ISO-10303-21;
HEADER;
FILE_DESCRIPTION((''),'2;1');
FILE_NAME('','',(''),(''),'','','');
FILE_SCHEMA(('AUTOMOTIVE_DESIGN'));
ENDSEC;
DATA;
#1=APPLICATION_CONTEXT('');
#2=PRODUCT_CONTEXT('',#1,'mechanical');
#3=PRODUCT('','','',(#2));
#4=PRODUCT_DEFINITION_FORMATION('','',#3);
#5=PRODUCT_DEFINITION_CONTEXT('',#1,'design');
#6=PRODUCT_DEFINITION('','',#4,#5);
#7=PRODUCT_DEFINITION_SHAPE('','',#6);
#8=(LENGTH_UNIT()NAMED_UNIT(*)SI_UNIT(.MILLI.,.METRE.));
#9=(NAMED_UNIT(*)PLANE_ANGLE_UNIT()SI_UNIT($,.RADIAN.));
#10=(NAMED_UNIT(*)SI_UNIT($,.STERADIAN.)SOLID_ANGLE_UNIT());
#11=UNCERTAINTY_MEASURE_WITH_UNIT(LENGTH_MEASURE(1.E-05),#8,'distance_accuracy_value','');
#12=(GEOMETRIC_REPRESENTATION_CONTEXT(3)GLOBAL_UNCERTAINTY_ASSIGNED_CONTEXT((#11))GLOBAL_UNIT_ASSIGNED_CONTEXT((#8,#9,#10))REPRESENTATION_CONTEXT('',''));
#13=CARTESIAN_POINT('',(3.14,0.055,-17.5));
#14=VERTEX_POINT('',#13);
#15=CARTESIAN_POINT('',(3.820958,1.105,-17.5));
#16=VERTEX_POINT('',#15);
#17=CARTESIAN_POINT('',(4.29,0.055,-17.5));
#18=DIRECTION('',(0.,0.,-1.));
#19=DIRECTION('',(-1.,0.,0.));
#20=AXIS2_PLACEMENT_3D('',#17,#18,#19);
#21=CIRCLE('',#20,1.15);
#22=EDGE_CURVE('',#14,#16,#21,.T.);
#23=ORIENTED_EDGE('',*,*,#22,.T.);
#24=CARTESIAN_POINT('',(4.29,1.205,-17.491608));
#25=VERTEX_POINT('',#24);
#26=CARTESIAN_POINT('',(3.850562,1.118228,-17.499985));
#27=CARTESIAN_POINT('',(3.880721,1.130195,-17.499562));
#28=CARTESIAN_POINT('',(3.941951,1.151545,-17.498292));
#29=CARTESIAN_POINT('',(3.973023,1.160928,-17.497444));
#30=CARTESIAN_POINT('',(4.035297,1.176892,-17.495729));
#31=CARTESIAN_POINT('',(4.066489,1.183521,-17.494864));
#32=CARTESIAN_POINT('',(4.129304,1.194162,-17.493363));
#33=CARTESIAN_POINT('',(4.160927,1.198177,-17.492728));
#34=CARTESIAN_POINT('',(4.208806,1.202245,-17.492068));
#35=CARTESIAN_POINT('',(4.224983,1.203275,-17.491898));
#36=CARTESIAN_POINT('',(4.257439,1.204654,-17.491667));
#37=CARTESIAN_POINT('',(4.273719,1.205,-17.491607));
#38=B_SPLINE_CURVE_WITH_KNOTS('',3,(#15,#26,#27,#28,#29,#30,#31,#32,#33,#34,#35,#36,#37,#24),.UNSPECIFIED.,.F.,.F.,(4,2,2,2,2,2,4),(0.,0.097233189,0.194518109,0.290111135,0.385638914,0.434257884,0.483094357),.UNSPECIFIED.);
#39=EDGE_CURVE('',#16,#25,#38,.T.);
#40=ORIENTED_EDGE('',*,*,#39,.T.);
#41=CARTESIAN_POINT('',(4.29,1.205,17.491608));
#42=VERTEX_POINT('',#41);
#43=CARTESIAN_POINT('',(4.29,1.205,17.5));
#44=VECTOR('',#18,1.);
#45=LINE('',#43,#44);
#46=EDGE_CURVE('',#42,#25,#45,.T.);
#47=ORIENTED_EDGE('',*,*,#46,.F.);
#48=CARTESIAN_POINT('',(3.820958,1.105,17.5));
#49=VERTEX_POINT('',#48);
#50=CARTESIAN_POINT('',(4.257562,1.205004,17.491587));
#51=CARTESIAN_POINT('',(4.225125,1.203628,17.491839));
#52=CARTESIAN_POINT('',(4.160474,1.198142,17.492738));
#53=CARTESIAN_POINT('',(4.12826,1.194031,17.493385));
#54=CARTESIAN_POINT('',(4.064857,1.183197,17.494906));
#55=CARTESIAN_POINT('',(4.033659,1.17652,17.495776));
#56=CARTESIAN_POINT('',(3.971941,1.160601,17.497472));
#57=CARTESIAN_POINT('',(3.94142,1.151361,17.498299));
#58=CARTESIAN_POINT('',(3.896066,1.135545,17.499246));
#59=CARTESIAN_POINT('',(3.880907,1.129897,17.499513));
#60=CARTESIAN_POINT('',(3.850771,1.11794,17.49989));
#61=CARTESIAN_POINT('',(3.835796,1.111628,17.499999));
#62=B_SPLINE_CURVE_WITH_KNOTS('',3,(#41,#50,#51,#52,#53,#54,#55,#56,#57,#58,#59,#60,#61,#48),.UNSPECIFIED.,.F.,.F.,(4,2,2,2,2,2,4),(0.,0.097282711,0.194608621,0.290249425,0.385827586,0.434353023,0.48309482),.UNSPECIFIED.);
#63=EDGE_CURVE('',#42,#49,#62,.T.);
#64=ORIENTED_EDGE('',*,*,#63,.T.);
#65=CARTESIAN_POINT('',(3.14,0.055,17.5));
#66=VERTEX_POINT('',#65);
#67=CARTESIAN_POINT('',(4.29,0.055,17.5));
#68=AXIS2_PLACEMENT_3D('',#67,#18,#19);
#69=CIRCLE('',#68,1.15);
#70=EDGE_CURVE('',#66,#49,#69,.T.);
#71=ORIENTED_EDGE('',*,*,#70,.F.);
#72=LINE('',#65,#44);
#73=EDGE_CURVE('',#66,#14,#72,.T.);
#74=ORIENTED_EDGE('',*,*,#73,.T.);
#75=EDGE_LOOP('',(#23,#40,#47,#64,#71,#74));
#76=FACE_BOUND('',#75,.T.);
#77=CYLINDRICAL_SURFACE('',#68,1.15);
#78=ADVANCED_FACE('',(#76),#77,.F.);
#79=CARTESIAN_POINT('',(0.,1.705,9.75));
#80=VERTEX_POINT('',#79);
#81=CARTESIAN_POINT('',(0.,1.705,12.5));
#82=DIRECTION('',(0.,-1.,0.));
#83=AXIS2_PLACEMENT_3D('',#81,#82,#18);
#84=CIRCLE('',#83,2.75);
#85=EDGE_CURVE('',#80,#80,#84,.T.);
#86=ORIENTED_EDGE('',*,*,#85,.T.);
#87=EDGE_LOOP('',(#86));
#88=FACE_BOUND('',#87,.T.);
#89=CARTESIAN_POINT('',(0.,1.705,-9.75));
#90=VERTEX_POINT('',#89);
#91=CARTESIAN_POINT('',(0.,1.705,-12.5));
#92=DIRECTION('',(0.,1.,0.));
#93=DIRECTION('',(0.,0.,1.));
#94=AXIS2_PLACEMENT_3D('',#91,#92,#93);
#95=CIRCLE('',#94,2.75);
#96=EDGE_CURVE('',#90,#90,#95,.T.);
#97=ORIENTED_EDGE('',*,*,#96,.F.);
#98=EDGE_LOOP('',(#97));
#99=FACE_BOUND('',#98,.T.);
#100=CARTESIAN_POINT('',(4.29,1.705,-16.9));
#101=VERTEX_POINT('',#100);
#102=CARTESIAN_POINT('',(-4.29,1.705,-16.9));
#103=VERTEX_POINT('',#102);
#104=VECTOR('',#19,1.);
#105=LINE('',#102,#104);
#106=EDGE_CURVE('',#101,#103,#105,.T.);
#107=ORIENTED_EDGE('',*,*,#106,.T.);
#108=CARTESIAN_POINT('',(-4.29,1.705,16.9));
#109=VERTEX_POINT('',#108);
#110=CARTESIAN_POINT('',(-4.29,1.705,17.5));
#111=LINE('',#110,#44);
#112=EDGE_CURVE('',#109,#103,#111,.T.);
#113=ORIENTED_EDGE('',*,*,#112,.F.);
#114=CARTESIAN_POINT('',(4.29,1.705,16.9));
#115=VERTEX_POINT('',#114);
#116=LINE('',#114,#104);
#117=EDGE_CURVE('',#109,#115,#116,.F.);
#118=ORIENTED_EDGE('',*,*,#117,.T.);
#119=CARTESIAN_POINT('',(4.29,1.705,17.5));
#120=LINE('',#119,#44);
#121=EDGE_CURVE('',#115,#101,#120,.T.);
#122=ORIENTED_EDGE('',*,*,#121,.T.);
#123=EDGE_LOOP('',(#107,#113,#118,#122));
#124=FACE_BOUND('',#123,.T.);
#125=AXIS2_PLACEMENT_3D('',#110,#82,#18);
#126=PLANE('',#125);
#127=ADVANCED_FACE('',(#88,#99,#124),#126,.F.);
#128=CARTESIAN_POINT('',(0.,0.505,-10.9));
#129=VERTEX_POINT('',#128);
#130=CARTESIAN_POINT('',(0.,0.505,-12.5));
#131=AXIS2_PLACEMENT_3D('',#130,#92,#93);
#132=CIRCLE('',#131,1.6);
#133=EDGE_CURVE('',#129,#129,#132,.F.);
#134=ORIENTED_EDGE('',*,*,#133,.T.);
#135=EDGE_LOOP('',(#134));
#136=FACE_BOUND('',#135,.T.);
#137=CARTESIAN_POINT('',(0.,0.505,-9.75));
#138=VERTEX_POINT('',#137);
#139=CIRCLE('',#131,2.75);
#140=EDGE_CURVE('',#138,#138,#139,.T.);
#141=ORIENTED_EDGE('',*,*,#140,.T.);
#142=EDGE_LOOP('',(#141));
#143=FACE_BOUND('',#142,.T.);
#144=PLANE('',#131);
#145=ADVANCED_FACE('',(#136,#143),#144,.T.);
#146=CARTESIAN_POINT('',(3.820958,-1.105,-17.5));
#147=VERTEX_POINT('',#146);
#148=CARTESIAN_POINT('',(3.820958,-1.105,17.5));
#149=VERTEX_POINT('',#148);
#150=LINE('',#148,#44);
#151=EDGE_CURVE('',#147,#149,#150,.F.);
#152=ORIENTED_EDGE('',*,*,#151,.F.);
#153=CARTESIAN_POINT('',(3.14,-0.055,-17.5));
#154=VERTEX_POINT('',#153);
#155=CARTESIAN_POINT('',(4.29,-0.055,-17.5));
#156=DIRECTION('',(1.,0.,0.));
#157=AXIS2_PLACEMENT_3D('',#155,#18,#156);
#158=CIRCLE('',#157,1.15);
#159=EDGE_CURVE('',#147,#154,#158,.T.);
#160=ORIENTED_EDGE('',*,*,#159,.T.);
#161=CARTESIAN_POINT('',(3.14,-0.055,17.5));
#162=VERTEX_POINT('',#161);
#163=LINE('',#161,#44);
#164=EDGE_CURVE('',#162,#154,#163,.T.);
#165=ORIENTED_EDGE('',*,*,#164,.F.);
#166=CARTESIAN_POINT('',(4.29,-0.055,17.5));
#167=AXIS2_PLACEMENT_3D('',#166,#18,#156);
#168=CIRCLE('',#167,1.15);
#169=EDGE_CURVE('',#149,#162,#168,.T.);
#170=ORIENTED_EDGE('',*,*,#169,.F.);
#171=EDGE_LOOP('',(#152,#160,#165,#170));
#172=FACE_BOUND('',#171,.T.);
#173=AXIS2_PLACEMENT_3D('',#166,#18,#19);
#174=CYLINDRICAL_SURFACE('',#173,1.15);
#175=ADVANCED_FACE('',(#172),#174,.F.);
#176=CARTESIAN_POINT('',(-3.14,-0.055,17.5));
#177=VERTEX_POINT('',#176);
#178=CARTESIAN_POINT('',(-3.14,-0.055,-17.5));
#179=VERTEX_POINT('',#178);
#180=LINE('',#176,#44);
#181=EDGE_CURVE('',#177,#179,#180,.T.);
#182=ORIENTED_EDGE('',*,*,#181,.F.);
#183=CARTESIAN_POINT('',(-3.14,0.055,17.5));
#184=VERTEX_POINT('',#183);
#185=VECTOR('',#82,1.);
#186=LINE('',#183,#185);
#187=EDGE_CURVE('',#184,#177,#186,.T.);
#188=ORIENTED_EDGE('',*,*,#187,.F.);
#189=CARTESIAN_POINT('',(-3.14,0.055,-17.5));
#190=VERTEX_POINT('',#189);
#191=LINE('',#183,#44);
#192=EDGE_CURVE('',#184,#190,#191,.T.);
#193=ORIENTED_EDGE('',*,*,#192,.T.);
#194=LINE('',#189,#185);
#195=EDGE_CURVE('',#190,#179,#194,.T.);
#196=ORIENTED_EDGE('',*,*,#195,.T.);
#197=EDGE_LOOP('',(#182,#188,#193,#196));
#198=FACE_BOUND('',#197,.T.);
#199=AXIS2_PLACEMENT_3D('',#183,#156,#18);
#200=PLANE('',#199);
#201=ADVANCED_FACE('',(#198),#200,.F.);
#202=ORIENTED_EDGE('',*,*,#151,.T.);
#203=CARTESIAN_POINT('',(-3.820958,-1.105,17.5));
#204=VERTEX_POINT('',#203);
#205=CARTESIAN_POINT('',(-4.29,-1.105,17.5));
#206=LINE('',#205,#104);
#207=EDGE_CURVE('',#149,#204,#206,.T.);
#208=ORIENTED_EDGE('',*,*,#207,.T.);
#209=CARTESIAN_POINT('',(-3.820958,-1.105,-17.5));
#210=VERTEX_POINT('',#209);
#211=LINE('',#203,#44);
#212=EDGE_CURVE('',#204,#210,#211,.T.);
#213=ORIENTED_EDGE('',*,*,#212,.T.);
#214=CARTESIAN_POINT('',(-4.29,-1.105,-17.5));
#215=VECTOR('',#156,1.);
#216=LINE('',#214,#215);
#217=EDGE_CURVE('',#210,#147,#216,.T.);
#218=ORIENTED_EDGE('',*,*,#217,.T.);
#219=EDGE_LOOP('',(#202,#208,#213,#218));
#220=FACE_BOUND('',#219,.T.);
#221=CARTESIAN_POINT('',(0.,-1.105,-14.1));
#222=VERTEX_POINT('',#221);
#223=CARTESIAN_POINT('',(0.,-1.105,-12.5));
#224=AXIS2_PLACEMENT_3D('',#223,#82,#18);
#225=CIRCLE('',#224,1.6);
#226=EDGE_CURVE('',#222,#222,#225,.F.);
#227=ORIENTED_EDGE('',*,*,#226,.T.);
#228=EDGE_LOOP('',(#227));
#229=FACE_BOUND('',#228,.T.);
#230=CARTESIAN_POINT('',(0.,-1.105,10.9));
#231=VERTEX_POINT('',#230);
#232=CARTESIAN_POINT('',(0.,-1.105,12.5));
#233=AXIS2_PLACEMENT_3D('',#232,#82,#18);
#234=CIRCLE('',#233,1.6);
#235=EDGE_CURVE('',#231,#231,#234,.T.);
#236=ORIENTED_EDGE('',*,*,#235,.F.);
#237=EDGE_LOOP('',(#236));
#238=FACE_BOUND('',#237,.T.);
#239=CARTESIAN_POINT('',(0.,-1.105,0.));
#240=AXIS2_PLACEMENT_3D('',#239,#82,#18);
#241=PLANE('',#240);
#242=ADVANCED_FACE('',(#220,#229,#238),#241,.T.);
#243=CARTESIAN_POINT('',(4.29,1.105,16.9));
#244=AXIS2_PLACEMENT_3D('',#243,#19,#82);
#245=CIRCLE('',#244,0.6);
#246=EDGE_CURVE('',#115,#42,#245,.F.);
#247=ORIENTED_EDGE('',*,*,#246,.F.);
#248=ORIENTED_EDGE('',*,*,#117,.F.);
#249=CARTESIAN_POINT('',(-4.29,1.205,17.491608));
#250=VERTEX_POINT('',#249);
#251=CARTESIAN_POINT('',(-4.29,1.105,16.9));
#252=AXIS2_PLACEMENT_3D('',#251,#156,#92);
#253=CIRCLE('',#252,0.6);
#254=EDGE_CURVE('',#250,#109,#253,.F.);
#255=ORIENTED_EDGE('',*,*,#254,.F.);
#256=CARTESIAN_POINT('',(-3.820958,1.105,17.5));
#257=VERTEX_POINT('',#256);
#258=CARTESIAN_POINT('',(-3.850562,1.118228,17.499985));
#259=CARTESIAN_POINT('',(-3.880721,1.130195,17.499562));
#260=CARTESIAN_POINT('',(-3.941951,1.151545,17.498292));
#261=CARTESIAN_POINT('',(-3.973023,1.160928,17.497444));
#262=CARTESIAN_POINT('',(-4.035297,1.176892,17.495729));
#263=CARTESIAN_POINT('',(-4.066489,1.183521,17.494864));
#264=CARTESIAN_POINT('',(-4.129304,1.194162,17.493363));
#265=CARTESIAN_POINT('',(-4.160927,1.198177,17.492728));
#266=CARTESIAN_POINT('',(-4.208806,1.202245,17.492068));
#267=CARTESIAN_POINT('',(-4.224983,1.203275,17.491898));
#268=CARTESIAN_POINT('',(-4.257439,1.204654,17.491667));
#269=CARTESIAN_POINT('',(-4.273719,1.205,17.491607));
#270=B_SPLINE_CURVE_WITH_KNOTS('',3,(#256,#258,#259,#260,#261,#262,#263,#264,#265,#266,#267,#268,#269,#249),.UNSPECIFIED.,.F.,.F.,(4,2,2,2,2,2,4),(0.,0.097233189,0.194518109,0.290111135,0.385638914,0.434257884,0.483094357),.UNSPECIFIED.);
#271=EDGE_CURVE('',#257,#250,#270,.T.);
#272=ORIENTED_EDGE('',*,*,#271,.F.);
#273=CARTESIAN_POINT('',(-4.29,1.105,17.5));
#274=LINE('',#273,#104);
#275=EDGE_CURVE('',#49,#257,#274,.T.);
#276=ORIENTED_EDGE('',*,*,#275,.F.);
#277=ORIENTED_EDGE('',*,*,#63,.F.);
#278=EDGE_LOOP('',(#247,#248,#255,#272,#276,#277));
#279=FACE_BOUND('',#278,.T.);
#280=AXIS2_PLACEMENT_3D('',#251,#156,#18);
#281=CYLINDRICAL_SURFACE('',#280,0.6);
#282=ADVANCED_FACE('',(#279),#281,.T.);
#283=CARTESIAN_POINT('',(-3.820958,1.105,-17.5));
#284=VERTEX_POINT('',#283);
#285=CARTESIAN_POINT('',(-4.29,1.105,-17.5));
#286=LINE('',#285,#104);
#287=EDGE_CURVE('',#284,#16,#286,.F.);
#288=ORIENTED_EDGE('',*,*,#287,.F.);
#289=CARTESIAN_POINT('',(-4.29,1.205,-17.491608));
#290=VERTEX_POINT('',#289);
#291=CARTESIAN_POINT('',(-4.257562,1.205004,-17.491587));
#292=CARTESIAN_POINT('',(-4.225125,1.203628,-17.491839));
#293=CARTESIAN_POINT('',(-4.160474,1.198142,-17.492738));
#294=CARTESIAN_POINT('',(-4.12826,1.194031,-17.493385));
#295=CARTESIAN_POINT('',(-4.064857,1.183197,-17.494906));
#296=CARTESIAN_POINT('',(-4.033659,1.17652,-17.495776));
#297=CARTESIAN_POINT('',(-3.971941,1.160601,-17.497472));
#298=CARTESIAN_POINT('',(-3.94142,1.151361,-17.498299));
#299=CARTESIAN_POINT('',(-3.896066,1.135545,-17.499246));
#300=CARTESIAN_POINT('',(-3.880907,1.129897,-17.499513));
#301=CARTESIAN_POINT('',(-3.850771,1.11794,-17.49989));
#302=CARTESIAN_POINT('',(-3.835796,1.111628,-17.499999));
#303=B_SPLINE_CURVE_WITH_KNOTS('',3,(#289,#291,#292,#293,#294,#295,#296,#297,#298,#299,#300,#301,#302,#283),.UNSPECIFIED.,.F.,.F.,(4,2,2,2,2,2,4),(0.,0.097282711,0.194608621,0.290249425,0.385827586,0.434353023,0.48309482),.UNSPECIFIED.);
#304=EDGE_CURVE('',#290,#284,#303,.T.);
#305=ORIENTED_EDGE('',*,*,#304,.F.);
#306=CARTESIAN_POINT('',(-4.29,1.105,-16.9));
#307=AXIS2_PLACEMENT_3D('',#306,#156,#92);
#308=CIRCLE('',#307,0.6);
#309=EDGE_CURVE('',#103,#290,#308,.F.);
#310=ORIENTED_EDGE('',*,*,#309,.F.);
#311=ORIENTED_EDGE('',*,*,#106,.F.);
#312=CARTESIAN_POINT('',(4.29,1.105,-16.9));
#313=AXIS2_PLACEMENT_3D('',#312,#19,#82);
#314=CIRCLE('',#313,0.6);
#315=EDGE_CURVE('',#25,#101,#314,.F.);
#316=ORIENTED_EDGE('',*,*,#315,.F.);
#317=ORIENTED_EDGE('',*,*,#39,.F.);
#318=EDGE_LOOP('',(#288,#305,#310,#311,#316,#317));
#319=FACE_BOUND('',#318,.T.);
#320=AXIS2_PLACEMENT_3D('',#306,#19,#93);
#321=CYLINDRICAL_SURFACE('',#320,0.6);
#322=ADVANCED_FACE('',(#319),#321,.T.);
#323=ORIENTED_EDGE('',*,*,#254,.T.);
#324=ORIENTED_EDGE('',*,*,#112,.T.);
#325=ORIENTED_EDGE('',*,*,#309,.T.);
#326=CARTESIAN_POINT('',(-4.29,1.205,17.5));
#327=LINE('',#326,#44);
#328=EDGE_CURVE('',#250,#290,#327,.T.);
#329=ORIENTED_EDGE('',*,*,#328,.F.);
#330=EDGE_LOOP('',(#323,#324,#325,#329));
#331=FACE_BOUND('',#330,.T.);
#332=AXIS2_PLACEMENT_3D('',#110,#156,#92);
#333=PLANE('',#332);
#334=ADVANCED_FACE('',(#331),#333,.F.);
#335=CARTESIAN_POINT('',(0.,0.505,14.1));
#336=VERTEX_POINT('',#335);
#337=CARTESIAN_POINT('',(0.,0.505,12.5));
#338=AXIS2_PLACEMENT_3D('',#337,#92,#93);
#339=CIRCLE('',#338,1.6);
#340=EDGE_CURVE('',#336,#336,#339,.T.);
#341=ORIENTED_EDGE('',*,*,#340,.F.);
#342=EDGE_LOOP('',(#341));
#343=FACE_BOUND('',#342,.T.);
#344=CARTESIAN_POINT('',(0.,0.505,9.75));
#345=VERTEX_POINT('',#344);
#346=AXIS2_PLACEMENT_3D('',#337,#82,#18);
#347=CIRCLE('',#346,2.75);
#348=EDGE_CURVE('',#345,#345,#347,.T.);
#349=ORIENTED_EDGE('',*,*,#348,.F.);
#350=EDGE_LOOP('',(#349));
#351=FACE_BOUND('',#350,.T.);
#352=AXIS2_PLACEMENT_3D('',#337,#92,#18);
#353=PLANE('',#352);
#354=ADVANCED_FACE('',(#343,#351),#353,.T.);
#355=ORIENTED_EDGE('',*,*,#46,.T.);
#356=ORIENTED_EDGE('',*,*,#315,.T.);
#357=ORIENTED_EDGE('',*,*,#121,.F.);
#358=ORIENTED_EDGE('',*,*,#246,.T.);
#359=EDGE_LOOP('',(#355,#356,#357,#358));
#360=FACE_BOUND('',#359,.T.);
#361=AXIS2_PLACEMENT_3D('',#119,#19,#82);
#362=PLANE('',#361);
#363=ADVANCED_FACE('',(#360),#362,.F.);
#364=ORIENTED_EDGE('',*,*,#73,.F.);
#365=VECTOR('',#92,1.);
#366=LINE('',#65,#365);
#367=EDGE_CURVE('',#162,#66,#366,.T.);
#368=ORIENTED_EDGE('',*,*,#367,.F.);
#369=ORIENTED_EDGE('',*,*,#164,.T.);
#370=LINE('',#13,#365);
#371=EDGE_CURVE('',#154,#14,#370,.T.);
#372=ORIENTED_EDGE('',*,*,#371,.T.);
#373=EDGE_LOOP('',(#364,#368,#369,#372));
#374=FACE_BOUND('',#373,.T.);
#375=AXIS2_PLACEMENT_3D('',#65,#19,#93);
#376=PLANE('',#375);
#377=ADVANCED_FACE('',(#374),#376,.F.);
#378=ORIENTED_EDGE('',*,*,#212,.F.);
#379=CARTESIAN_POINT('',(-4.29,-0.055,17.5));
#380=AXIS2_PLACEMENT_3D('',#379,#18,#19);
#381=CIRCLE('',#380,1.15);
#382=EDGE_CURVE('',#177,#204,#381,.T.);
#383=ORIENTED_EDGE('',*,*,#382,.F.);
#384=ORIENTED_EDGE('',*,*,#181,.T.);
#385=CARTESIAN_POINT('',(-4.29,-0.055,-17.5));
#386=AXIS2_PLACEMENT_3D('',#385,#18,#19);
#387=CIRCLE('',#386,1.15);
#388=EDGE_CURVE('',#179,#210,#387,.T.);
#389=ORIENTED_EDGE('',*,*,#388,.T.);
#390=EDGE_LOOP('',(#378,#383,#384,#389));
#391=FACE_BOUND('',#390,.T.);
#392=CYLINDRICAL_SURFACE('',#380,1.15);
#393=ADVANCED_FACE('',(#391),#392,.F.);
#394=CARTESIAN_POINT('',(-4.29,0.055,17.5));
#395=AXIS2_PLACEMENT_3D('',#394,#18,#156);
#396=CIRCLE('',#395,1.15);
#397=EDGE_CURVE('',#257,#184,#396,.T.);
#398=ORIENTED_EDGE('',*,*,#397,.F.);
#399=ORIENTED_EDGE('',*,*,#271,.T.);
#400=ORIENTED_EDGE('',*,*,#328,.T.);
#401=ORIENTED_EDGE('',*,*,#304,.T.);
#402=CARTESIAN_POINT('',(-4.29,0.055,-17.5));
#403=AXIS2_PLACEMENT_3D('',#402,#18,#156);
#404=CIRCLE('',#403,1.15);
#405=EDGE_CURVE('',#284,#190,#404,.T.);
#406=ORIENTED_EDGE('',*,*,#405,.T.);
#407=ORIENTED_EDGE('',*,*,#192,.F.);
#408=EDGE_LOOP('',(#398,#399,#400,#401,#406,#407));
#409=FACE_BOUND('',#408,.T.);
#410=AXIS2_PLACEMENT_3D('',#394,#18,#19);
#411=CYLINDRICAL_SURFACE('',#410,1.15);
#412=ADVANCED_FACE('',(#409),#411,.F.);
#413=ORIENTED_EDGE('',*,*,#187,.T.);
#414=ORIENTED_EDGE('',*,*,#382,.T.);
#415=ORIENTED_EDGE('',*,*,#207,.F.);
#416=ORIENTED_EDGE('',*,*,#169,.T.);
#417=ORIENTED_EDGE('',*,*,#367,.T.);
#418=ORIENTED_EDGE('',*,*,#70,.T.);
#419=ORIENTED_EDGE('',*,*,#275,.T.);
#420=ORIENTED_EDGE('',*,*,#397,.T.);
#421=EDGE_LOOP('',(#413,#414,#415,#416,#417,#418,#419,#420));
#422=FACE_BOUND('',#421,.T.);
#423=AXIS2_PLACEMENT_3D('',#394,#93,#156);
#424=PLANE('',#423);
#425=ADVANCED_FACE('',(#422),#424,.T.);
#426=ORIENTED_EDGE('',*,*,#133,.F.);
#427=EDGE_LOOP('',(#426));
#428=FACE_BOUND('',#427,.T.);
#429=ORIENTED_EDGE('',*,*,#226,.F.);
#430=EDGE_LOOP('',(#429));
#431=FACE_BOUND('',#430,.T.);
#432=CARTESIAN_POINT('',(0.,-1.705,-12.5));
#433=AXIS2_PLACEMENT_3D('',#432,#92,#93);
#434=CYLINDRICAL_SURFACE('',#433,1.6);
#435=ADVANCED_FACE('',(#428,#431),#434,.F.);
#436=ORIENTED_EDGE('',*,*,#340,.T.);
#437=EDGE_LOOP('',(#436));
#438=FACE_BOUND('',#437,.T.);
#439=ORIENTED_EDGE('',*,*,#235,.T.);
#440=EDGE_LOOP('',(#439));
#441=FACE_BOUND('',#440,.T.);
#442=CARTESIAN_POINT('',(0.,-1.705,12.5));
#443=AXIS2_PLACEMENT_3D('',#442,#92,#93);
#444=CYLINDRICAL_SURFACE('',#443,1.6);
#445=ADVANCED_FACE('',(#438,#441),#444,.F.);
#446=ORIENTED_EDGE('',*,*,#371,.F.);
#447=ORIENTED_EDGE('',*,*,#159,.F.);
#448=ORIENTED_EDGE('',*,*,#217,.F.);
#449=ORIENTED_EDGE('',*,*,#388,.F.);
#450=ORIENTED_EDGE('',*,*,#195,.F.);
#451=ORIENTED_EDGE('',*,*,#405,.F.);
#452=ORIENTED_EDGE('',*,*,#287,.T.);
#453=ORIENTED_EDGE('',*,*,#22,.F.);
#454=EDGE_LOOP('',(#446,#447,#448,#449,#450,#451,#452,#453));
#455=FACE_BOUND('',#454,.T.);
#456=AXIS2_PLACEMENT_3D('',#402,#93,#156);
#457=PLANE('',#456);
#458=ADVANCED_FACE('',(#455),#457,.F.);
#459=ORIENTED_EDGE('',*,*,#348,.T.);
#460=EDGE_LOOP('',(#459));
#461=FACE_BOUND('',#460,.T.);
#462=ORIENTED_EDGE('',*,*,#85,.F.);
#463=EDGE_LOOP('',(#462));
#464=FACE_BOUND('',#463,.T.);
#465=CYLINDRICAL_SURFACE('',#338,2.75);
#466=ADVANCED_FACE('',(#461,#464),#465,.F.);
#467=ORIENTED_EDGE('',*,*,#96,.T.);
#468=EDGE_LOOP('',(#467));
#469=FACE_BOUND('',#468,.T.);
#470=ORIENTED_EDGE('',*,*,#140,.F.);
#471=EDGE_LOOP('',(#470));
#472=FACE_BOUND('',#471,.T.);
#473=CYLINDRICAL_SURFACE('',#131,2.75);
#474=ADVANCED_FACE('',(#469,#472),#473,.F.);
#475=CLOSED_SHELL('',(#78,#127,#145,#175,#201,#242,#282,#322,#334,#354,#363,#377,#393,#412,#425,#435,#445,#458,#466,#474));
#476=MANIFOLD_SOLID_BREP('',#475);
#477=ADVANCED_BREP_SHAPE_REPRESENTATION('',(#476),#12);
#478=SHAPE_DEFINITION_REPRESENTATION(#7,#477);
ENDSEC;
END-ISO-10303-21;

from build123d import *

# Parameters (mm, degrees)
BOSS_EXTRUDE1_DEPTH = 17.5
SKETCH2_R           = 1.6
CUT_EXTRUDE1_DEPTH  = 4.41
SKETCH3_R           = 2.75
CUT_EXTRUDE2_DEPTH  = 1.2
SKETCH4_W           = 8.58
SKETCH4_H           = 35
CUT_EXTRUDE3_DEPTH  = 0.6
FILLET1_R           = 0.6


with BuildPart() as part:
    # Sketch1 → Boss-Extrude1 (new body, symmetric)
    with BuildSketch(Plane.XY):
        with BuildLine():
            Line((-3.14, 0.055), (-3.14, -0.055))
            ThreePointArc((-3.14, -0.055), (-3.476827202, -0.868172798), (-4.29, -1.205))
            Line((-4.29, -1.205), (-4.29, -1.705))
            Line((-4.29, -1.705), (4.29, -1.705))
            Line((4.29, -1.705), (4.29, -1.205))
            ThreePointArc((4.29, -1.205), (3.476827202, -0.868172798), (3.14, -0.055))
            Line((3.14, -0.055), (3.14, 0.055))
            ThreePointArc((3.14, 0.055), (3.476827202, 0.868172798), (4.29, 1.205))
            Line((4.29, 1.205), (4.29, 1.705))
            Line((4.29, 1.705), (-4.29, 1.705))
            Line((-4.29, 1.705), (-4.29, 1.205))
            ThreePointArc((-4.29, 1.205), (-3.476827202, 0.868172798), (-3.14, 0.055))
        make_face()
    extrude(amount=BOSS_EXTRUDE1_DEPTH, both=True)

    # Sketch2 → Cut-Extrude1 (cut, through all)
    with BuildSketch(Plane(origin=(0, 1.705, 0), x_dir=(1, 0, 0), z_dir=(0, 1, 0))):
        with Locations((0, 12.5)):
            Circle(SKETCH2_R)
    cut_extrude1 = extrude(amount=-CUT_EXTRUDE1_DEPTH, mode=Mode.SUBTRACT)

    # Sketch3 → Cut-Extrude2 (cut)
    with BuildSketch(Plane(origin=(0, 1.705, 0), x_dir=(1, 0, 0), z_dir=(0, 1, 0))):
        with Locations((0, 12.5)):
            Circle(SKETCH3_R)
    cut_extrude2 = extrude(amount=-CUT_EXTRUDE2_DEPTH, mode=Mode.SUBTRACT)

    # Mirror1: Cut-Extrude1, Cut-Extrude2 across plane
    add(cut_extrude1.mirror(Plane.XY), mode=Mode.SUBTRACT)
    add(cut_extrude2.mirror(Plane.XY), mode=Mode.SUBTRACT)

    # Sketch4 → Cut-Extrude3 (cut)
    with BuildSketch(Plane.XZ.offset(1.705)):
        Rectangle(SKETCH4_W, SKETCH4_H)
    extrude(amount=-CUT_EXTRUDE3_DEPTH, mode=Mode.SUBTRACT)

    # Fillet1
    fillet1_edges = [part.edges().sort_by_distance(p)[0] for p in [
        (0, 1.705, -17.5),
        (0, 1.705, 17.5),
    ]]
    fillet(fillet1_edges, radius=FILLET1_R)


solid = part.part
